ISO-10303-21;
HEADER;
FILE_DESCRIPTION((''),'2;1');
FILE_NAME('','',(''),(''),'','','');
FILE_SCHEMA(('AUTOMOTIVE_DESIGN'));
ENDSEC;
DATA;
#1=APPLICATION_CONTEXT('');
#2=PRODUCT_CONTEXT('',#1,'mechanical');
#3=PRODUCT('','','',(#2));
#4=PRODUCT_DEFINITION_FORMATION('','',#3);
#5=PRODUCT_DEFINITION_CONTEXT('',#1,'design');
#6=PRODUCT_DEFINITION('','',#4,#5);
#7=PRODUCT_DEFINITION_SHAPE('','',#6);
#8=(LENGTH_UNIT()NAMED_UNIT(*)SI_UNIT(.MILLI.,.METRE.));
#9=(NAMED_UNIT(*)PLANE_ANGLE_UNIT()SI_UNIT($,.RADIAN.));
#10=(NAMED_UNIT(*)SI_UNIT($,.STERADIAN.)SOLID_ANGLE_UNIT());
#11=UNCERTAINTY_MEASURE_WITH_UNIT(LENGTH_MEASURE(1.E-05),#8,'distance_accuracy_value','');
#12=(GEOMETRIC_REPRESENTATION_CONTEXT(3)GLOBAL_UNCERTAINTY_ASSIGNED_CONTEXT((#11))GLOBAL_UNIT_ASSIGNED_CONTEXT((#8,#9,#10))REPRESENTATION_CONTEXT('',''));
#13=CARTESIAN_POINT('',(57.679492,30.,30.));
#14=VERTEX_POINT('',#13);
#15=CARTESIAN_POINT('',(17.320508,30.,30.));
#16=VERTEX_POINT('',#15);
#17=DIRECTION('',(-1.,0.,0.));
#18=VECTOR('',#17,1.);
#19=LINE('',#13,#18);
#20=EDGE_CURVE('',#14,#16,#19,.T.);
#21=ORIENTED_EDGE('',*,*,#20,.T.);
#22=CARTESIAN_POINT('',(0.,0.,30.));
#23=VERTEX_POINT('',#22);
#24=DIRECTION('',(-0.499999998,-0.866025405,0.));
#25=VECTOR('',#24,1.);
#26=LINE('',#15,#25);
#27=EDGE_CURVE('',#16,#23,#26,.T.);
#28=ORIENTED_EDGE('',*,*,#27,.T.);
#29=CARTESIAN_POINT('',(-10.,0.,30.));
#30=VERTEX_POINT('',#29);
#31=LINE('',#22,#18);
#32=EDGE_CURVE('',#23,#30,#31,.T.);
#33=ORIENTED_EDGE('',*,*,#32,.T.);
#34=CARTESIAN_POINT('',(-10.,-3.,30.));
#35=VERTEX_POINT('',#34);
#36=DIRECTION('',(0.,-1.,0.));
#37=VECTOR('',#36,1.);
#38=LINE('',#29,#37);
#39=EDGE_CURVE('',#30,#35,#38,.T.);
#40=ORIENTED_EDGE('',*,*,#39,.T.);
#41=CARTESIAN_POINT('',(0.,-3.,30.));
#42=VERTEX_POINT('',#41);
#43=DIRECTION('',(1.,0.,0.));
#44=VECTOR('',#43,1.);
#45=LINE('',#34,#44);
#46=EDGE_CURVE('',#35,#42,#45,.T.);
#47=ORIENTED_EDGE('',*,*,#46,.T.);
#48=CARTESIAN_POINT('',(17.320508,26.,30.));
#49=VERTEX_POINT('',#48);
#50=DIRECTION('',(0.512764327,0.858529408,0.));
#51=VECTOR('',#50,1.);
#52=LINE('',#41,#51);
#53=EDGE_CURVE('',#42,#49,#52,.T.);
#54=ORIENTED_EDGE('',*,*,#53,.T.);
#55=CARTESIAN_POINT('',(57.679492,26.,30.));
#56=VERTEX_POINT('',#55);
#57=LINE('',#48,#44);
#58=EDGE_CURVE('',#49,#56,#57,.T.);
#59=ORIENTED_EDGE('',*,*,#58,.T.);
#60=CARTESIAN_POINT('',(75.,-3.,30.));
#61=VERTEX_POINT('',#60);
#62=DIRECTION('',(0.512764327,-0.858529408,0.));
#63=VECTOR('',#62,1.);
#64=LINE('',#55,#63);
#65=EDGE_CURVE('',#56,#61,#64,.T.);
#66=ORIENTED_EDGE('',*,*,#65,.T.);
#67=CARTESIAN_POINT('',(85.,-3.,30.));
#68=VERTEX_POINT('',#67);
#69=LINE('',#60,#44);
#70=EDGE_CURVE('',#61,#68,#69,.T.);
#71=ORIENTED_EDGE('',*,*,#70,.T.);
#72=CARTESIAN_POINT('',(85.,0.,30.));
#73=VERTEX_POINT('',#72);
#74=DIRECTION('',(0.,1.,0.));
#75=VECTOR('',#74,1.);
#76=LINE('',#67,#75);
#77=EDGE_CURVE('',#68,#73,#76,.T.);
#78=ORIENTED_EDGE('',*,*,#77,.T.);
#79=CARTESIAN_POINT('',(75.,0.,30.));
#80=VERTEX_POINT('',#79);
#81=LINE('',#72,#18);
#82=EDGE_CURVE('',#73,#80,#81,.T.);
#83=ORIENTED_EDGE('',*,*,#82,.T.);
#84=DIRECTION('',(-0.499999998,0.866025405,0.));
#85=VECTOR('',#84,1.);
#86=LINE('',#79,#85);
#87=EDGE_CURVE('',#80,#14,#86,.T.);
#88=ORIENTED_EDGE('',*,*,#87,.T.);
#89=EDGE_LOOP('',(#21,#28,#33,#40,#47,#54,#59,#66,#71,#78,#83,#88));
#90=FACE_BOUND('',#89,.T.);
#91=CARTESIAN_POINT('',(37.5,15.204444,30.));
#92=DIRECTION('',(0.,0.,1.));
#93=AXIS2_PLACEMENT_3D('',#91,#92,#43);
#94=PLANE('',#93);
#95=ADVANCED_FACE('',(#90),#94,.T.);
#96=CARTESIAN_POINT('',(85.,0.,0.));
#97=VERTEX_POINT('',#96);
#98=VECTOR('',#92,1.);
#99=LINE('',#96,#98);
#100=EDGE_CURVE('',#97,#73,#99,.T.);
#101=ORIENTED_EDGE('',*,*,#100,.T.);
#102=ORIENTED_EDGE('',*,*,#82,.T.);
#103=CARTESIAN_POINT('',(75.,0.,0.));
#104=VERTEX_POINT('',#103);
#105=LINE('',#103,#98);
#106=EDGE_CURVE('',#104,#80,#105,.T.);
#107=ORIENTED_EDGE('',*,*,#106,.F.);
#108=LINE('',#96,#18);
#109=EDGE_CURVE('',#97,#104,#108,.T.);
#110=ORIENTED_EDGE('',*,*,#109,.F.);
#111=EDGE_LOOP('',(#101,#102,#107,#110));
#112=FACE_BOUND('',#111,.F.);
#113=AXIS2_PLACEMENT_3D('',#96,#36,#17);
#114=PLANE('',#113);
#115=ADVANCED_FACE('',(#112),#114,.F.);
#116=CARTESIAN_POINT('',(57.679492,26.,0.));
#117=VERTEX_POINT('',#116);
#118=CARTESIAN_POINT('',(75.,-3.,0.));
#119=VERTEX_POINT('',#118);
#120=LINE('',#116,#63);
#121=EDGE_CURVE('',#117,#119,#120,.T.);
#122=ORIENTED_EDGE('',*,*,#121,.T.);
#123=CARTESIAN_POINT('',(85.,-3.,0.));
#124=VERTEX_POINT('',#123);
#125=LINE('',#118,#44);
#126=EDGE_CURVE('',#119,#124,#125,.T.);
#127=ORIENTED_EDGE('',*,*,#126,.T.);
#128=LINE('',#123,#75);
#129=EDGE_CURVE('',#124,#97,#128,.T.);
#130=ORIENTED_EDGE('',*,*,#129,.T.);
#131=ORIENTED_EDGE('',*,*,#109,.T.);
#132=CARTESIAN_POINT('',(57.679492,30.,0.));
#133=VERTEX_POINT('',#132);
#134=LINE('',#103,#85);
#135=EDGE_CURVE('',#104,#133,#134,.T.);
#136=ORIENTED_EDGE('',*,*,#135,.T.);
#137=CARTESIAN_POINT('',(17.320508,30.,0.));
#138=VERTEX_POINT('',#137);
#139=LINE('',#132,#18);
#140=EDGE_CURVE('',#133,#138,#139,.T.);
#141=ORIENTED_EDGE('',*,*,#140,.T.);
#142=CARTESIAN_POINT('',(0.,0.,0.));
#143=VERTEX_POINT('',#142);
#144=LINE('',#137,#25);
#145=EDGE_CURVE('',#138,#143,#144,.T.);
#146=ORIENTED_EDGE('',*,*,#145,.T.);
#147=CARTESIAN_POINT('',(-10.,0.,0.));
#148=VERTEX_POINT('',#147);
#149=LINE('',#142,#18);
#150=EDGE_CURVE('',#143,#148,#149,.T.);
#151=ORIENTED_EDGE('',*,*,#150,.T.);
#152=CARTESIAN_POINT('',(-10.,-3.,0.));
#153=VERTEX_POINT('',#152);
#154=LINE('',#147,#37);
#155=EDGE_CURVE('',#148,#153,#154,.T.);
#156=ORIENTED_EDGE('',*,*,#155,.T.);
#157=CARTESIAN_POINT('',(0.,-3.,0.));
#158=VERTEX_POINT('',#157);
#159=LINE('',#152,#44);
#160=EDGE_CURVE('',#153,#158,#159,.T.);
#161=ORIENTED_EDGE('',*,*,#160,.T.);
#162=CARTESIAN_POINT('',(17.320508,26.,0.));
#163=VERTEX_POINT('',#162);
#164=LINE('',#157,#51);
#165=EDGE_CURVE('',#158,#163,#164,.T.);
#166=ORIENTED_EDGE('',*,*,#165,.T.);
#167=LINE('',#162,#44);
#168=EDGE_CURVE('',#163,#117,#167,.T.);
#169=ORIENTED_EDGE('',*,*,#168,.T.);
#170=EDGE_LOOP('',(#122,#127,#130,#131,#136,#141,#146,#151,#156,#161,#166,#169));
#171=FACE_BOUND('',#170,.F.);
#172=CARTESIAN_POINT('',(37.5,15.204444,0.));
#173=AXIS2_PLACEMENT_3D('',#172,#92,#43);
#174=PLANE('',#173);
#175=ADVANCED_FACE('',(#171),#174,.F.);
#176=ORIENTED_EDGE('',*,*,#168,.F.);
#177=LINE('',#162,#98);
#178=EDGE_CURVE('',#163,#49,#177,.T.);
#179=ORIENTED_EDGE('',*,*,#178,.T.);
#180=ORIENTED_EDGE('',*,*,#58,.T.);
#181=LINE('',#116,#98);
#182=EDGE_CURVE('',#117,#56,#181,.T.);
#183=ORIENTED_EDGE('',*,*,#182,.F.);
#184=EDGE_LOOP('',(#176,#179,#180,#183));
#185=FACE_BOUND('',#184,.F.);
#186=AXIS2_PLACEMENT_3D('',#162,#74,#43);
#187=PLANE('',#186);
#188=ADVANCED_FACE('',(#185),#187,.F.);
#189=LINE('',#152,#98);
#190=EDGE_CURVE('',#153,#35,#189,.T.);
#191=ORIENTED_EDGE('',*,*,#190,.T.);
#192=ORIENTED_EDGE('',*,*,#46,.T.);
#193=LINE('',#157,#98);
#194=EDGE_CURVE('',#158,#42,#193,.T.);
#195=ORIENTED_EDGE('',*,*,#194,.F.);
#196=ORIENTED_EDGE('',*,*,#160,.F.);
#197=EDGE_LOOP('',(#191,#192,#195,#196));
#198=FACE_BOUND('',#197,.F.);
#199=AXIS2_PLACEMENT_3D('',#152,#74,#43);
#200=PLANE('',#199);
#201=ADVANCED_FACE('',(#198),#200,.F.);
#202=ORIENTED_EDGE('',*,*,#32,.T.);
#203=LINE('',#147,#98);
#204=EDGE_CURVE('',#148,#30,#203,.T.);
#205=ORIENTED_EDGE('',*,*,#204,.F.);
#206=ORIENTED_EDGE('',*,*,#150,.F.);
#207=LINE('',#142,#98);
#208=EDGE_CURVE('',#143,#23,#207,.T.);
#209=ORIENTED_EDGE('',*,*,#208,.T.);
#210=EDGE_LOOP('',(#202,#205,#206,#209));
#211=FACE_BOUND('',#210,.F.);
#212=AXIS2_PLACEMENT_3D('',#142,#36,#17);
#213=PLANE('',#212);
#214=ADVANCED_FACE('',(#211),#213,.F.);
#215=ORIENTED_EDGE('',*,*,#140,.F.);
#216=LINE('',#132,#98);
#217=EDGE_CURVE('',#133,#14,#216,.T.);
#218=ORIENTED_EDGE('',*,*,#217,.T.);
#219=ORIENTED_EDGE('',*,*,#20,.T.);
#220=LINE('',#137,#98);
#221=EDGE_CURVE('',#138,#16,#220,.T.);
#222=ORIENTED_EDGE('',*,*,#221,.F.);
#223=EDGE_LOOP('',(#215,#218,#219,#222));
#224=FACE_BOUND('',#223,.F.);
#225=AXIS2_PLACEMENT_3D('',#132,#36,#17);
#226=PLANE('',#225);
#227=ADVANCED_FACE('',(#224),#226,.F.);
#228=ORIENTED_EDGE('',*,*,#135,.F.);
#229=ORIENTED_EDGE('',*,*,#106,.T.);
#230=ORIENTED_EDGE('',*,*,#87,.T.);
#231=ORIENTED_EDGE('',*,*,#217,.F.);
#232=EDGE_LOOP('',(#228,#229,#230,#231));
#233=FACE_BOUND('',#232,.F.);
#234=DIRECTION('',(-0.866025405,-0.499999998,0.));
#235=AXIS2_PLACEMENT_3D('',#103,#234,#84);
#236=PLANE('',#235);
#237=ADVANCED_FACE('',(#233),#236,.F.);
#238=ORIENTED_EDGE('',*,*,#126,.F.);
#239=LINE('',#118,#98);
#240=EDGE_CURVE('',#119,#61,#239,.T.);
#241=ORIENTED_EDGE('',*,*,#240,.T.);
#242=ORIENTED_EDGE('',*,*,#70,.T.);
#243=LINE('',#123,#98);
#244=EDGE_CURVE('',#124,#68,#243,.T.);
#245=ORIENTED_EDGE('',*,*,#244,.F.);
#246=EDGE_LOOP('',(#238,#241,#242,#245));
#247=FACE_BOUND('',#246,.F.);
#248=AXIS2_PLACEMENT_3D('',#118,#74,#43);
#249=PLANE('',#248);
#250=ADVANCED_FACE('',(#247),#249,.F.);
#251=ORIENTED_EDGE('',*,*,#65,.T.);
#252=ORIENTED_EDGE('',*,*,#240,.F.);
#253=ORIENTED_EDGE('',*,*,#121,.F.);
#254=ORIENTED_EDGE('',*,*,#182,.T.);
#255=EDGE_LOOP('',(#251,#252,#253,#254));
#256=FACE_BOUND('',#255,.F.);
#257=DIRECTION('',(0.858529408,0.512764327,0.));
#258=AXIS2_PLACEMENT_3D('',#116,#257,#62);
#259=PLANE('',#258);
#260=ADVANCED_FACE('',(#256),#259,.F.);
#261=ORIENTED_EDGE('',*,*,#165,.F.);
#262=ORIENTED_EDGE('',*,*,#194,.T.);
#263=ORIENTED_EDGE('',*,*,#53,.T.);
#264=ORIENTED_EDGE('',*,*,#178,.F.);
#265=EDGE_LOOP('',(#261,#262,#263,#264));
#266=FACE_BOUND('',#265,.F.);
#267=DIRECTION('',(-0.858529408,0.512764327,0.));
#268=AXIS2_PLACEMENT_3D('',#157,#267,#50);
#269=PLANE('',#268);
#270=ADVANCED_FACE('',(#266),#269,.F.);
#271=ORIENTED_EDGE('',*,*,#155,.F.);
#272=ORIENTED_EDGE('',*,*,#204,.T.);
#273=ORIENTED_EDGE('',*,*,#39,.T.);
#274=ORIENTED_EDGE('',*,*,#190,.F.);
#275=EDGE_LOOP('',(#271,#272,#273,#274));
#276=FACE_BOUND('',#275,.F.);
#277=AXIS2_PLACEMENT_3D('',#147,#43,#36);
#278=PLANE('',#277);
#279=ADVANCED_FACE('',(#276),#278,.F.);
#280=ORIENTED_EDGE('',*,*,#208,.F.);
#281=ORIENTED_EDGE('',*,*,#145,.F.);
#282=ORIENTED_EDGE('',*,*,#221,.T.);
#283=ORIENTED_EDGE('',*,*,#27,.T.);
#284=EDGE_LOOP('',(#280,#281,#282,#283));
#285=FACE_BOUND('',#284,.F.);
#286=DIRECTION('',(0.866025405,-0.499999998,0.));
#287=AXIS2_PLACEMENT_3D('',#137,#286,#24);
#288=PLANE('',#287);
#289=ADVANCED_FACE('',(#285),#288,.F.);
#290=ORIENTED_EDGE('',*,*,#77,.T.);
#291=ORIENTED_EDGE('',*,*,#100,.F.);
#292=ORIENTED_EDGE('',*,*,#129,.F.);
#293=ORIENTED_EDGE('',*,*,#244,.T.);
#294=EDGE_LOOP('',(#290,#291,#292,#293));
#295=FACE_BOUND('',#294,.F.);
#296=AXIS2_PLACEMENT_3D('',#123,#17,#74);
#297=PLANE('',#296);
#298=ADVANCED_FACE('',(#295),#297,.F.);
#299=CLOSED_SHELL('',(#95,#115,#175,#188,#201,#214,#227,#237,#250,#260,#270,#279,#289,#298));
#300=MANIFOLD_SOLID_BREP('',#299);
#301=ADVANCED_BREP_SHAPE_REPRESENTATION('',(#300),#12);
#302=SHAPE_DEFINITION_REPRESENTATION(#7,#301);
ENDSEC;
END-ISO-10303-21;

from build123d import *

# Parameters (mm, degrees)
PAD_DEPTH = 30


with BuildPart() as part:
    # Sketch → Pad (new body)
    with BuildSketch(Plane.XY):
        Polygon((0, 0), (-10, 0), (-10, -3), (0, -3), (17.320508, 26), (57.679492, 26), (75, -3), (85, -3), (85, 0), (75, 0), (57.679492, 30), (17.320508, 30), align=None)
    extrude(amount=PAD_DEPTH)


solid = part.part
